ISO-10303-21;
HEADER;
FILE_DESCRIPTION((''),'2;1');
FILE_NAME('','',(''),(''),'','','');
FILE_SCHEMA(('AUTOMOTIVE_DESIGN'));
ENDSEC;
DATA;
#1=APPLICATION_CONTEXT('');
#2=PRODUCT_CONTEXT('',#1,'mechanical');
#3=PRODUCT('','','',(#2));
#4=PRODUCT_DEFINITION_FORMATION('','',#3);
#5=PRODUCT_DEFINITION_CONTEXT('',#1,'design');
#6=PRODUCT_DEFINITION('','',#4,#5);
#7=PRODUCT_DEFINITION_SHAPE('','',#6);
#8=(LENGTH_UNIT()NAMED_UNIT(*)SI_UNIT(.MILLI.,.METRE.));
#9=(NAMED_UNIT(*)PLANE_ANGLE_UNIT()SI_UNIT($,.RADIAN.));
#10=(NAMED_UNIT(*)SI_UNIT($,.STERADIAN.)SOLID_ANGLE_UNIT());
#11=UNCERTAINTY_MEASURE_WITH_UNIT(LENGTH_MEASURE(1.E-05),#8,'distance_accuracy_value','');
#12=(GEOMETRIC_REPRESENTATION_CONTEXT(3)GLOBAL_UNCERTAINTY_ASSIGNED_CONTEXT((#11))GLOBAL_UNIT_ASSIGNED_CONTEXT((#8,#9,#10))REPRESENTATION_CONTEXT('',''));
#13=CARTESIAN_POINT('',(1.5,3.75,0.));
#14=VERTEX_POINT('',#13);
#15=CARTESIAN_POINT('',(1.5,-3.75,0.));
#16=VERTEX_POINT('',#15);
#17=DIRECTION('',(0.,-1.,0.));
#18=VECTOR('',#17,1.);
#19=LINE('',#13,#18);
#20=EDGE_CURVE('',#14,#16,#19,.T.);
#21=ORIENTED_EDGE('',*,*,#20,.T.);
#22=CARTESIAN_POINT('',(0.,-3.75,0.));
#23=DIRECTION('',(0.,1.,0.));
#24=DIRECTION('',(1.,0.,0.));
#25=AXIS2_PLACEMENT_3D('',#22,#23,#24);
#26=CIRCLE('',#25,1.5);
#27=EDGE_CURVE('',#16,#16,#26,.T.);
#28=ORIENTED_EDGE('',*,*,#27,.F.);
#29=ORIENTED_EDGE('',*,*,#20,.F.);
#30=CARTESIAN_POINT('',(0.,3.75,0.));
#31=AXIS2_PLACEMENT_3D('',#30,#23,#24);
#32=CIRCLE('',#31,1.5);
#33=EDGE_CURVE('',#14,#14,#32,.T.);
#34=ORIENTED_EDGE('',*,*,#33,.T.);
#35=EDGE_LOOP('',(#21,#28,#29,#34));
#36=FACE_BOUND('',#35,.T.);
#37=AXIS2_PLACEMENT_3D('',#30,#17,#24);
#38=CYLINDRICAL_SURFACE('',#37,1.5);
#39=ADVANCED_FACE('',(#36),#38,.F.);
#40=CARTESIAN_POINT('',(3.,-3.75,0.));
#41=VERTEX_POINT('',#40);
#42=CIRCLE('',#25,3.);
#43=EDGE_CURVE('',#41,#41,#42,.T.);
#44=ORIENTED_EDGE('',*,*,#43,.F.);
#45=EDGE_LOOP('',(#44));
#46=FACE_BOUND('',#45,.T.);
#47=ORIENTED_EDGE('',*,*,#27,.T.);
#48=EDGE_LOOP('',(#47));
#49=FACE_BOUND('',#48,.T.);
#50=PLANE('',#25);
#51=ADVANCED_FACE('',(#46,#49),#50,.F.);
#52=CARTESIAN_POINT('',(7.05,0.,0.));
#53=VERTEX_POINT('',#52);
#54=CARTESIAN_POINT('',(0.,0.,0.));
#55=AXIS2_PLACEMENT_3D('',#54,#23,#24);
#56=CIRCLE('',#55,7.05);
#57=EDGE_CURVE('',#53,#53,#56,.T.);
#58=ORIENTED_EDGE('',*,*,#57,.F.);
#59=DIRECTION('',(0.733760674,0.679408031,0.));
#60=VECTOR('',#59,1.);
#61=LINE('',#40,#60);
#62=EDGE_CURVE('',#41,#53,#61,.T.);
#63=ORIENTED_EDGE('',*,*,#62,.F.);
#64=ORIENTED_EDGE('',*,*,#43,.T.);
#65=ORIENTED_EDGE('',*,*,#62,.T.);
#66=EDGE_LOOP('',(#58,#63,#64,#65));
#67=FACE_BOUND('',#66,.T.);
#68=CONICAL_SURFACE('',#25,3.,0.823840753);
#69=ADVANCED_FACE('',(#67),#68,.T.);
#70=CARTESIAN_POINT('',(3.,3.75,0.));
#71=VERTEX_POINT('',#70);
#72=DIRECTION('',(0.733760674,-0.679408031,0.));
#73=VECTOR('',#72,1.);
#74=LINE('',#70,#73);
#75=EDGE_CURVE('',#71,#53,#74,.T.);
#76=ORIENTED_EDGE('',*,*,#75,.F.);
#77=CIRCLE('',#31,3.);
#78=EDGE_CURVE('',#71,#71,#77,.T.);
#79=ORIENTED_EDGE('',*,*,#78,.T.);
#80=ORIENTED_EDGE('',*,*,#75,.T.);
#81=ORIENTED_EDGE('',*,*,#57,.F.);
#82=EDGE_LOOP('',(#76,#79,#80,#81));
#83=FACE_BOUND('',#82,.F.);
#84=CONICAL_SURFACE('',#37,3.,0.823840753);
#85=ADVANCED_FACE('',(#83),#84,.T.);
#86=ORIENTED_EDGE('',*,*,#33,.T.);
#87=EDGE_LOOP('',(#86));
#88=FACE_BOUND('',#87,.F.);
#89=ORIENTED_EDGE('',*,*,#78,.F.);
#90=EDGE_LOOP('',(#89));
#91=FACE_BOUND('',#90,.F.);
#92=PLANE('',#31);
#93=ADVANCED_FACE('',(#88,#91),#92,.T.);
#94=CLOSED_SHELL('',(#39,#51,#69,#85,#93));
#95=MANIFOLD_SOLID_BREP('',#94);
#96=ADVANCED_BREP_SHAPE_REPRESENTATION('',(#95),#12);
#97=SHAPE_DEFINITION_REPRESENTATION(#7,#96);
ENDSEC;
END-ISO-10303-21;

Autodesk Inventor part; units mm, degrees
ref_plane "YZ Plane" through (0, 0, 0) normal (1, 0, 0) x (0, 1, 0)
ref_plane "XZ Plane" through (0, 0, 0) normal (0, 1, 0) x (-1, 0, 0)
ref_plane "XY Plane" through (0, 0, 0) normal (0, 0, 1) x (1, 0, 0)
sketch "スケッチ1" plane through (0, 0, 0) normal (0, 0, 1) x (1, 0, 0)
  line L0 (0, 3.75) -> (3, 3.75)
  line L1 (0, -3.75) -> (3, -3.75)
  line L2 (0, 0) -> (7.05, 0)
  line L3 (0, 3.75) -> (0, -3.75)
  line L4 (3, -3.75) -> (7.05, 0)
  line L5 (3, 3.75) -> (7.05, 0)
  line L6 (0, -5.25) -> (0, 5.25) projected
  line L7 (1.5, 3.75) -> (1.5, -3.75)
  dimension "d1" = 7.5
  dimension "d2" = 7.05
  dimension "d3" = 3
  dimension "d5" = 1.5
revolve "回転1" add sketch "スケッチ1" angle 360 about axis through (0, -10, 0) along (0, 1, 0) contours L0 L5 L2 L7 | L2 L4 L1 L7
properties part number "soroban_sep"
